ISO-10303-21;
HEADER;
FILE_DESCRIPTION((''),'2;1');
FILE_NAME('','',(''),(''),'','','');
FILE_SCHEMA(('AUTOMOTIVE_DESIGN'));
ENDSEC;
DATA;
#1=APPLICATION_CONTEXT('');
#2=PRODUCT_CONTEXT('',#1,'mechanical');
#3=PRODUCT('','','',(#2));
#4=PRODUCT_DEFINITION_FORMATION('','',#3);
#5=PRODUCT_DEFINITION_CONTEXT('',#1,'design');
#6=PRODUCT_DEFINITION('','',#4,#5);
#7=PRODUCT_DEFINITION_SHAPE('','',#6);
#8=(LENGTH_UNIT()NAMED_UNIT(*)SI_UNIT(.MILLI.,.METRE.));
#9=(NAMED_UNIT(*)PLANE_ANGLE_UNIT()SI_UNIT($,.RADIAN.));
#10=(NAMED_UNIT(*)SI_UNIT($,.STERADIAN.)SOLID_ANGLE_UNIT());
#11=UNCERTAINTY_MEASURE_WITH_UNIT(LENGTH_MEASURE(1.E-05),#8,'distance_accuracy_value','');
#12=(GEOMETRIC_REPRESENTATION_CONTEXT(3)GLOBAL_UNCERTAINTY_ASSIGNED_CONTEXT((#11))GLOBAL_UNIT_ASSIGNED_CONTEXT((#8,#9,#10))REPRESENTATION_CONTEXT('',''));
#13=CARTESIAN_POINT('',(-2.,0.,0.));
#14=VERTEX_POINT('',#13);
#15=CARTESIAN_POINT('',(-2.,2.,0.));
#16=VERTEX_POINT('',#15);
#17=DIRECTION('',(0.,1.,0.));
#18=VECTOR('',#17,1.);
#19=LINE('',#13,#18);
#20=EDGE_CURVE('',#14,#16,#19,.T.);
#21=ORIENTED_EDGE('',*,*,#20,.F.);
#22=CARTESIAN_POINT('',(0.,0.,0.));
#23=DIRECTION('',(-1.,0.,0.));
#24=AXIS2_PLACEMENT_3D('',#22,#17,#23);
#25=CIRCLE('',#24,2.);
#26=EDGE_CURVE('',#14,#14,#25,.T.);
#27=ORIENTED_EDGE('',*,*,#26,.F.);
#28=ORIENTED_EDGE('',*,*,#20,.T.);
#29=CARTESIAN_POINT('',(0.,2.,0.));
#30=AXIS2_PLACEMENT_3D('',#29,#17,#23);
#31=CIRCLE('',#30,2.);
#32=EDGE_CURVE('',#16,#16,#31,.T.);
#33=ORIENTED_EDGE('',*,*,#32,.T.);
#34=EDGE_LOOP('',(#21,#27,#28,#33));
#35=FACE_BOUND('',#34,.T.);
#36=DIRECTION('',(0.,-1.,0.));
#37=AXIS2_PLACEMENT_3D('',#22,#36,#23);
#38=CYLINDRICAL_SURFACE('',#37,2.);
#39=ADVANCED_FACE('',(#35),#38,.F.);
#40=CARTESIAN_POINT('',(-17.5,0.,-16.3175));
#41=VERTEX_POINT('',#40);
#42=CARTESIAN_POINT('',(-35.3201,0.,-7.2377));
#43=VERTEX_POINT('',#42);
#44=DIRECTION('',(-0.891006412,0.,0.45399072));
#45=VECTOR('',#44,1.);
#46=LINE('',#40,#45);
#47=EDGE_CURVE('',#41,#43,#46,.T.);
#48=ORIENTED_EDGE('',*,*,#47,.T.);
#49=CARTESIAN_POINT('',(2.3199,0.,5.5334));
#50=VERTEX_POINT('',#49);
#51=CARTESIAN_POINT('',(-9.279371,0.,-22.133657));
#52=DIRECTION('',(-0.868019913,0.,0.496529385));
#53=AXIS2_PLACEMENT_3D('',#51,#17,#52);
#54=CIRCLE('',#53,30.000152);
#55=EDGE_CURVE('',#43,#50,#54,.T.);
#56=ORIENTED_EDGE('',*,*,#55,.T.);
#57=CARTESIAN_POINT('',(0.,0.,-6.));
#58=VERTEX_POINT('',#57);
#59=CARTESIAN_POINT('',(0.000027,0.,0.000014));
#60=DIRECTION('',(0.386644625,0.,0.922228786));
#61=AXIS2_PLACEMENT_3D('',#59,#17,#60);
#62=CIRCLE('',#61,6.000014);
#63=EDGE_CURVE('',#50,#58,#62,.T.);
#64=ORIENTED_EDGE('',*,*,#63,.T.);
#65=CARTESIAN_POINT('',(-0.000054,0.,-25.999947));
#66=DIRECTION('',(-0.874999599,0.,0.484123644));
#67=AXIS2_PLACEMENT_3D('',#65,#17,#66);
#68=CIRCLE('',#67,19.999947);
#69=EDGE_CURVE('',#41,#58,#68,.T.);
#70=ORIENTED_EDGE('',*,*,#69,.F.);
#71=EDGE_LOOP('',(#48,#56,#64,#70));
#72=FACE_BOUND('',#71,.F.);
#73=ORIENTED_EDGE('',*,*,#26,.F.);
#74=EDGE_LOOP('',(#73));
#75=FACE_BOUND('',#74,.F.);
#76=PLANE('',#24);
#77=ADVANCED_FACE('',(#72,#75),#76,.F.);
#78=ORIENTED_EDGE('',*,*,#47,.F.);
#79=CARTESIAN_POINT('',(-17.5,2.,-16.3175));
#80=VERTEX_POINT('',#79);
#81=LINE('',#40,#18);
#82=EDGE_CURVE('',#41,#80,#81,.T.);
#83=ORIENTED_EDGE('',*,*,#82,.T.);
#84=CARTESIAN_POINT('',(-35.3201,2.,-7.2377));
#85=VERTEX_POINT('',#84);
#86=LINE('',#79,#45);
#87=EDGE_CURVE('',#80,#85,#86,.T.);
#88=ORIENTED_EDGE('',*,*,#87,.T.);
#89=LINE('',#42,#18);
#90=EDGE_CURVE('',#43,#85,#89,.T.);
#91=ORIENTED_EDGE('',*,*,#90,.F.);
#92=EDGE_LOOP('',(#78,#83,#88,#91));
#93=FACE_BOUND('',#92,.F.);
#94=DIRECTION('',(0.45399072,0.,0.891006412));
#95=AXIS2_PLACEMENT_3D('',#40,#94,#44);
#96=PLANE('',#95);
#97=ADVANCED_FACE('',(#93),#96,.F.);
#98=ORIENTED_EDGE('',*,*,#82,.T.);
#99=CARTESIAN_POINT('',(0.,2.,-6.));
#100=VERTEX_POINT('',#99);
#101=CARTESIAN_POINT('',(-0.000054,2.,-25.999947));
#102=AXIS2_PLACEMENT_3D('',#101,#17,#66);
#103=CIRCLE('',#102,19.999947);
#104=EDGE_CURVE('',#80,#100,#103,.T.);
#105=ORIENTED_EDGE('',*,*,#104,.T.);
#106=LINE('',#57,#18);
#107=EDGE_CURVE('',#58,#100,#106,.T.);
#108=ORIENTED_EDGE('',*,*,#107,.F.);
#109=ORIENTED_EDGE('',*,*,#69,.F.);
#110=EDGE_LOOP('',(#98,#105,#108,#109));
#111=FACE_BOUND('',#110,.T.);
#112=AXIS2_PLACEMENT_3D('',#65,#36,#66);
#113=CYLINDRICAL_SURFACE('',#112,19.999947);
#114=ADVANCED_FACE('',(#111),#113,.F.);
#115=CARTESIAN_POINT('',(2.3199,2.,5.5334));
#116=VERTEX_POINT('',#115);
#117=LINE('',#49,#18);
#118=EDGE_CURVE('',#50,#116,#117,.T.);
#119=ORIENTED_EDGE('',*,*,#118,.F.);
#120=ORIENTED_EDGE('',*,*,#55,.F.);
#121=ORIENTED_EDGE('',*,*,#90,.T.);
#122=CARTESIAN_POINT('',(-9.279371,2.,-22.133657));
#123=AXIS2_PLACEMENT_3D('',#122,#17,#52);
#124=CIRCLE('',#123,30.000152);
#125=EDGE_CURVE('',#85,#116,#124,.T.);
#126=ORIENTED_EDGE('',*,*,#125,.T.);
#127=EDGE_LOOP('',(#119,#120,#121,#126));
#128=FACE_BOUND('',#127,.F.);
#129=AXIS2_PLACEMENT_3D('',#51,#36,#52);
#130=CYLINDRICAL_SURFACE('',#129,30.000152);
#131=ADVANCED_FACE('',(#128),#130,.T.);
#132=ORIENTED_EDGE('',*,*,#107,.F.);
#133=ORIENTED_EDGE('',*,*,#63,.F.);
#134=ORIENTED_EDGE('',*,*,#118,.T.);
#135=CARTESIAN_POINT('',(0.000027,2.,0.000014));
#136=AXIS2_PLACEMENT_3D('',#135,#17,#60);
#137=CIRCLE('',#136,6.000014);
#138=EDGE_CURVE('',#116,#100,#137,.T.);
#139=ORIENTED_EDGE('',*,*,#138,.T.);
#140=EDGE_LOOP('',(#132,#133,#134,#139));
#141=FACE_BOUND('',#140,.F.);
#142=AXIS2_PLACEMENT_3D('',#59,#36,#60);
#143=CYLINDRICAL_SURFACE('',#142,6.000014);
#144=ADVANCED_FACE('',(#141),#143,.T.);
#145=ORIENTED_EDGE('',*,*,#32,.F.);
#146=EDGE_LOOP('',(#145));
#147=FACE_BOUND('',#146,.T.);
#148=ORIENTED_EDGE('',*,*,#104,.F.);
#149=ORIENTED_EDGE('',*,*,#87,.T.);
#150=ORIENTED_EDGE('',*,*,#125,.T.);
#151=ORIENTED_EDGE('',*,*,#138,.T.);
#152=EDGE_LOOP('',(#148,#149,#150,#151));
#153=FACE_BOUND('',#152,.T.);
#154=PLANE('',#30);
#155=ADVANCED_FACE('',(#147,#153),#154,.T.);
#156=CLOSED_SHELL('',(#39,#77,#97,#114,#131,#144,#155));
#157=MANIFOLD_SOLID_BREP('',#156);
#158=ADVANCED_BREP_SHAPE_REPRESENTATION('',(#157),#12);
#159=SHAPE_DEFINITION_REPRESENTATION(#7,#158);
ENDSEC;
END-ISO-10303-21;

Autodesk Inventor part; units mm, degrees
ref_plane "YZ Plane" through (0, 0, 0) normal (1, 0, 0) x (0, 1, 0)
ref_plane "XZ Plane" through (0, 0, 0) normal (0, 1, 0) x (-1, 0, 0)
ref_plane "XY Plane" through (0, 0, 0) normal (0, 0, 1) x (1, 0, 0)
sketch "Sketch1" plane through (0, 0, 0) normal (0, 1, 0) x (-1, 0, 0)
  circle A0 centre (0, 0) radius 12 construction
  line L0 (0, 0) -> (0, -50) construction
  line L1 (20, -50) -> (34, -50) construction
  line L2 (34, -50) -> (34, -16) construction
  line L3 (34, -16) -> (20, -16) construction
  line L4 (20, -16) -> (20, -50) construction
  arc A1 (-2.3199, 5.5334) -> (0, -6) centre (0, 0) ccw
  arc A2 (17.5, -16.3175) -> (0, -6) centre (0, -26) ccw
  arc A3 (35.3201, -7.2377) -> (-2.3199, 5.5334) centre (9.2795, -22.1335) ccw
  circle A4 centre (0, 0) radius 2
  line L5 (17.5, -16.3175) -> (35.3201, -7.2377)
  point P0 (16, -42)
  point P1 (39, -42)
  point P2 (16, -14)
  dimension "d0" = 50
  dimension "d1" = 24
  dimension "d16" = 16
  dimension "d17" = 34
  dimension "d18" = 23
  dimension "d23" = 20
  dimension "d26" = 12
  dimension "d32" = 20
  dimension "d33" = 4
  dimension "d34" = 30
  dimension "d35" = 2.5
  dimension "d36" = 14
  dimension "d37" = 27
  dimension "d38" = 20
extrude "Extrusion1" add sketch "Sketch1" along normal blind 2
properties part number "flange_connector"
